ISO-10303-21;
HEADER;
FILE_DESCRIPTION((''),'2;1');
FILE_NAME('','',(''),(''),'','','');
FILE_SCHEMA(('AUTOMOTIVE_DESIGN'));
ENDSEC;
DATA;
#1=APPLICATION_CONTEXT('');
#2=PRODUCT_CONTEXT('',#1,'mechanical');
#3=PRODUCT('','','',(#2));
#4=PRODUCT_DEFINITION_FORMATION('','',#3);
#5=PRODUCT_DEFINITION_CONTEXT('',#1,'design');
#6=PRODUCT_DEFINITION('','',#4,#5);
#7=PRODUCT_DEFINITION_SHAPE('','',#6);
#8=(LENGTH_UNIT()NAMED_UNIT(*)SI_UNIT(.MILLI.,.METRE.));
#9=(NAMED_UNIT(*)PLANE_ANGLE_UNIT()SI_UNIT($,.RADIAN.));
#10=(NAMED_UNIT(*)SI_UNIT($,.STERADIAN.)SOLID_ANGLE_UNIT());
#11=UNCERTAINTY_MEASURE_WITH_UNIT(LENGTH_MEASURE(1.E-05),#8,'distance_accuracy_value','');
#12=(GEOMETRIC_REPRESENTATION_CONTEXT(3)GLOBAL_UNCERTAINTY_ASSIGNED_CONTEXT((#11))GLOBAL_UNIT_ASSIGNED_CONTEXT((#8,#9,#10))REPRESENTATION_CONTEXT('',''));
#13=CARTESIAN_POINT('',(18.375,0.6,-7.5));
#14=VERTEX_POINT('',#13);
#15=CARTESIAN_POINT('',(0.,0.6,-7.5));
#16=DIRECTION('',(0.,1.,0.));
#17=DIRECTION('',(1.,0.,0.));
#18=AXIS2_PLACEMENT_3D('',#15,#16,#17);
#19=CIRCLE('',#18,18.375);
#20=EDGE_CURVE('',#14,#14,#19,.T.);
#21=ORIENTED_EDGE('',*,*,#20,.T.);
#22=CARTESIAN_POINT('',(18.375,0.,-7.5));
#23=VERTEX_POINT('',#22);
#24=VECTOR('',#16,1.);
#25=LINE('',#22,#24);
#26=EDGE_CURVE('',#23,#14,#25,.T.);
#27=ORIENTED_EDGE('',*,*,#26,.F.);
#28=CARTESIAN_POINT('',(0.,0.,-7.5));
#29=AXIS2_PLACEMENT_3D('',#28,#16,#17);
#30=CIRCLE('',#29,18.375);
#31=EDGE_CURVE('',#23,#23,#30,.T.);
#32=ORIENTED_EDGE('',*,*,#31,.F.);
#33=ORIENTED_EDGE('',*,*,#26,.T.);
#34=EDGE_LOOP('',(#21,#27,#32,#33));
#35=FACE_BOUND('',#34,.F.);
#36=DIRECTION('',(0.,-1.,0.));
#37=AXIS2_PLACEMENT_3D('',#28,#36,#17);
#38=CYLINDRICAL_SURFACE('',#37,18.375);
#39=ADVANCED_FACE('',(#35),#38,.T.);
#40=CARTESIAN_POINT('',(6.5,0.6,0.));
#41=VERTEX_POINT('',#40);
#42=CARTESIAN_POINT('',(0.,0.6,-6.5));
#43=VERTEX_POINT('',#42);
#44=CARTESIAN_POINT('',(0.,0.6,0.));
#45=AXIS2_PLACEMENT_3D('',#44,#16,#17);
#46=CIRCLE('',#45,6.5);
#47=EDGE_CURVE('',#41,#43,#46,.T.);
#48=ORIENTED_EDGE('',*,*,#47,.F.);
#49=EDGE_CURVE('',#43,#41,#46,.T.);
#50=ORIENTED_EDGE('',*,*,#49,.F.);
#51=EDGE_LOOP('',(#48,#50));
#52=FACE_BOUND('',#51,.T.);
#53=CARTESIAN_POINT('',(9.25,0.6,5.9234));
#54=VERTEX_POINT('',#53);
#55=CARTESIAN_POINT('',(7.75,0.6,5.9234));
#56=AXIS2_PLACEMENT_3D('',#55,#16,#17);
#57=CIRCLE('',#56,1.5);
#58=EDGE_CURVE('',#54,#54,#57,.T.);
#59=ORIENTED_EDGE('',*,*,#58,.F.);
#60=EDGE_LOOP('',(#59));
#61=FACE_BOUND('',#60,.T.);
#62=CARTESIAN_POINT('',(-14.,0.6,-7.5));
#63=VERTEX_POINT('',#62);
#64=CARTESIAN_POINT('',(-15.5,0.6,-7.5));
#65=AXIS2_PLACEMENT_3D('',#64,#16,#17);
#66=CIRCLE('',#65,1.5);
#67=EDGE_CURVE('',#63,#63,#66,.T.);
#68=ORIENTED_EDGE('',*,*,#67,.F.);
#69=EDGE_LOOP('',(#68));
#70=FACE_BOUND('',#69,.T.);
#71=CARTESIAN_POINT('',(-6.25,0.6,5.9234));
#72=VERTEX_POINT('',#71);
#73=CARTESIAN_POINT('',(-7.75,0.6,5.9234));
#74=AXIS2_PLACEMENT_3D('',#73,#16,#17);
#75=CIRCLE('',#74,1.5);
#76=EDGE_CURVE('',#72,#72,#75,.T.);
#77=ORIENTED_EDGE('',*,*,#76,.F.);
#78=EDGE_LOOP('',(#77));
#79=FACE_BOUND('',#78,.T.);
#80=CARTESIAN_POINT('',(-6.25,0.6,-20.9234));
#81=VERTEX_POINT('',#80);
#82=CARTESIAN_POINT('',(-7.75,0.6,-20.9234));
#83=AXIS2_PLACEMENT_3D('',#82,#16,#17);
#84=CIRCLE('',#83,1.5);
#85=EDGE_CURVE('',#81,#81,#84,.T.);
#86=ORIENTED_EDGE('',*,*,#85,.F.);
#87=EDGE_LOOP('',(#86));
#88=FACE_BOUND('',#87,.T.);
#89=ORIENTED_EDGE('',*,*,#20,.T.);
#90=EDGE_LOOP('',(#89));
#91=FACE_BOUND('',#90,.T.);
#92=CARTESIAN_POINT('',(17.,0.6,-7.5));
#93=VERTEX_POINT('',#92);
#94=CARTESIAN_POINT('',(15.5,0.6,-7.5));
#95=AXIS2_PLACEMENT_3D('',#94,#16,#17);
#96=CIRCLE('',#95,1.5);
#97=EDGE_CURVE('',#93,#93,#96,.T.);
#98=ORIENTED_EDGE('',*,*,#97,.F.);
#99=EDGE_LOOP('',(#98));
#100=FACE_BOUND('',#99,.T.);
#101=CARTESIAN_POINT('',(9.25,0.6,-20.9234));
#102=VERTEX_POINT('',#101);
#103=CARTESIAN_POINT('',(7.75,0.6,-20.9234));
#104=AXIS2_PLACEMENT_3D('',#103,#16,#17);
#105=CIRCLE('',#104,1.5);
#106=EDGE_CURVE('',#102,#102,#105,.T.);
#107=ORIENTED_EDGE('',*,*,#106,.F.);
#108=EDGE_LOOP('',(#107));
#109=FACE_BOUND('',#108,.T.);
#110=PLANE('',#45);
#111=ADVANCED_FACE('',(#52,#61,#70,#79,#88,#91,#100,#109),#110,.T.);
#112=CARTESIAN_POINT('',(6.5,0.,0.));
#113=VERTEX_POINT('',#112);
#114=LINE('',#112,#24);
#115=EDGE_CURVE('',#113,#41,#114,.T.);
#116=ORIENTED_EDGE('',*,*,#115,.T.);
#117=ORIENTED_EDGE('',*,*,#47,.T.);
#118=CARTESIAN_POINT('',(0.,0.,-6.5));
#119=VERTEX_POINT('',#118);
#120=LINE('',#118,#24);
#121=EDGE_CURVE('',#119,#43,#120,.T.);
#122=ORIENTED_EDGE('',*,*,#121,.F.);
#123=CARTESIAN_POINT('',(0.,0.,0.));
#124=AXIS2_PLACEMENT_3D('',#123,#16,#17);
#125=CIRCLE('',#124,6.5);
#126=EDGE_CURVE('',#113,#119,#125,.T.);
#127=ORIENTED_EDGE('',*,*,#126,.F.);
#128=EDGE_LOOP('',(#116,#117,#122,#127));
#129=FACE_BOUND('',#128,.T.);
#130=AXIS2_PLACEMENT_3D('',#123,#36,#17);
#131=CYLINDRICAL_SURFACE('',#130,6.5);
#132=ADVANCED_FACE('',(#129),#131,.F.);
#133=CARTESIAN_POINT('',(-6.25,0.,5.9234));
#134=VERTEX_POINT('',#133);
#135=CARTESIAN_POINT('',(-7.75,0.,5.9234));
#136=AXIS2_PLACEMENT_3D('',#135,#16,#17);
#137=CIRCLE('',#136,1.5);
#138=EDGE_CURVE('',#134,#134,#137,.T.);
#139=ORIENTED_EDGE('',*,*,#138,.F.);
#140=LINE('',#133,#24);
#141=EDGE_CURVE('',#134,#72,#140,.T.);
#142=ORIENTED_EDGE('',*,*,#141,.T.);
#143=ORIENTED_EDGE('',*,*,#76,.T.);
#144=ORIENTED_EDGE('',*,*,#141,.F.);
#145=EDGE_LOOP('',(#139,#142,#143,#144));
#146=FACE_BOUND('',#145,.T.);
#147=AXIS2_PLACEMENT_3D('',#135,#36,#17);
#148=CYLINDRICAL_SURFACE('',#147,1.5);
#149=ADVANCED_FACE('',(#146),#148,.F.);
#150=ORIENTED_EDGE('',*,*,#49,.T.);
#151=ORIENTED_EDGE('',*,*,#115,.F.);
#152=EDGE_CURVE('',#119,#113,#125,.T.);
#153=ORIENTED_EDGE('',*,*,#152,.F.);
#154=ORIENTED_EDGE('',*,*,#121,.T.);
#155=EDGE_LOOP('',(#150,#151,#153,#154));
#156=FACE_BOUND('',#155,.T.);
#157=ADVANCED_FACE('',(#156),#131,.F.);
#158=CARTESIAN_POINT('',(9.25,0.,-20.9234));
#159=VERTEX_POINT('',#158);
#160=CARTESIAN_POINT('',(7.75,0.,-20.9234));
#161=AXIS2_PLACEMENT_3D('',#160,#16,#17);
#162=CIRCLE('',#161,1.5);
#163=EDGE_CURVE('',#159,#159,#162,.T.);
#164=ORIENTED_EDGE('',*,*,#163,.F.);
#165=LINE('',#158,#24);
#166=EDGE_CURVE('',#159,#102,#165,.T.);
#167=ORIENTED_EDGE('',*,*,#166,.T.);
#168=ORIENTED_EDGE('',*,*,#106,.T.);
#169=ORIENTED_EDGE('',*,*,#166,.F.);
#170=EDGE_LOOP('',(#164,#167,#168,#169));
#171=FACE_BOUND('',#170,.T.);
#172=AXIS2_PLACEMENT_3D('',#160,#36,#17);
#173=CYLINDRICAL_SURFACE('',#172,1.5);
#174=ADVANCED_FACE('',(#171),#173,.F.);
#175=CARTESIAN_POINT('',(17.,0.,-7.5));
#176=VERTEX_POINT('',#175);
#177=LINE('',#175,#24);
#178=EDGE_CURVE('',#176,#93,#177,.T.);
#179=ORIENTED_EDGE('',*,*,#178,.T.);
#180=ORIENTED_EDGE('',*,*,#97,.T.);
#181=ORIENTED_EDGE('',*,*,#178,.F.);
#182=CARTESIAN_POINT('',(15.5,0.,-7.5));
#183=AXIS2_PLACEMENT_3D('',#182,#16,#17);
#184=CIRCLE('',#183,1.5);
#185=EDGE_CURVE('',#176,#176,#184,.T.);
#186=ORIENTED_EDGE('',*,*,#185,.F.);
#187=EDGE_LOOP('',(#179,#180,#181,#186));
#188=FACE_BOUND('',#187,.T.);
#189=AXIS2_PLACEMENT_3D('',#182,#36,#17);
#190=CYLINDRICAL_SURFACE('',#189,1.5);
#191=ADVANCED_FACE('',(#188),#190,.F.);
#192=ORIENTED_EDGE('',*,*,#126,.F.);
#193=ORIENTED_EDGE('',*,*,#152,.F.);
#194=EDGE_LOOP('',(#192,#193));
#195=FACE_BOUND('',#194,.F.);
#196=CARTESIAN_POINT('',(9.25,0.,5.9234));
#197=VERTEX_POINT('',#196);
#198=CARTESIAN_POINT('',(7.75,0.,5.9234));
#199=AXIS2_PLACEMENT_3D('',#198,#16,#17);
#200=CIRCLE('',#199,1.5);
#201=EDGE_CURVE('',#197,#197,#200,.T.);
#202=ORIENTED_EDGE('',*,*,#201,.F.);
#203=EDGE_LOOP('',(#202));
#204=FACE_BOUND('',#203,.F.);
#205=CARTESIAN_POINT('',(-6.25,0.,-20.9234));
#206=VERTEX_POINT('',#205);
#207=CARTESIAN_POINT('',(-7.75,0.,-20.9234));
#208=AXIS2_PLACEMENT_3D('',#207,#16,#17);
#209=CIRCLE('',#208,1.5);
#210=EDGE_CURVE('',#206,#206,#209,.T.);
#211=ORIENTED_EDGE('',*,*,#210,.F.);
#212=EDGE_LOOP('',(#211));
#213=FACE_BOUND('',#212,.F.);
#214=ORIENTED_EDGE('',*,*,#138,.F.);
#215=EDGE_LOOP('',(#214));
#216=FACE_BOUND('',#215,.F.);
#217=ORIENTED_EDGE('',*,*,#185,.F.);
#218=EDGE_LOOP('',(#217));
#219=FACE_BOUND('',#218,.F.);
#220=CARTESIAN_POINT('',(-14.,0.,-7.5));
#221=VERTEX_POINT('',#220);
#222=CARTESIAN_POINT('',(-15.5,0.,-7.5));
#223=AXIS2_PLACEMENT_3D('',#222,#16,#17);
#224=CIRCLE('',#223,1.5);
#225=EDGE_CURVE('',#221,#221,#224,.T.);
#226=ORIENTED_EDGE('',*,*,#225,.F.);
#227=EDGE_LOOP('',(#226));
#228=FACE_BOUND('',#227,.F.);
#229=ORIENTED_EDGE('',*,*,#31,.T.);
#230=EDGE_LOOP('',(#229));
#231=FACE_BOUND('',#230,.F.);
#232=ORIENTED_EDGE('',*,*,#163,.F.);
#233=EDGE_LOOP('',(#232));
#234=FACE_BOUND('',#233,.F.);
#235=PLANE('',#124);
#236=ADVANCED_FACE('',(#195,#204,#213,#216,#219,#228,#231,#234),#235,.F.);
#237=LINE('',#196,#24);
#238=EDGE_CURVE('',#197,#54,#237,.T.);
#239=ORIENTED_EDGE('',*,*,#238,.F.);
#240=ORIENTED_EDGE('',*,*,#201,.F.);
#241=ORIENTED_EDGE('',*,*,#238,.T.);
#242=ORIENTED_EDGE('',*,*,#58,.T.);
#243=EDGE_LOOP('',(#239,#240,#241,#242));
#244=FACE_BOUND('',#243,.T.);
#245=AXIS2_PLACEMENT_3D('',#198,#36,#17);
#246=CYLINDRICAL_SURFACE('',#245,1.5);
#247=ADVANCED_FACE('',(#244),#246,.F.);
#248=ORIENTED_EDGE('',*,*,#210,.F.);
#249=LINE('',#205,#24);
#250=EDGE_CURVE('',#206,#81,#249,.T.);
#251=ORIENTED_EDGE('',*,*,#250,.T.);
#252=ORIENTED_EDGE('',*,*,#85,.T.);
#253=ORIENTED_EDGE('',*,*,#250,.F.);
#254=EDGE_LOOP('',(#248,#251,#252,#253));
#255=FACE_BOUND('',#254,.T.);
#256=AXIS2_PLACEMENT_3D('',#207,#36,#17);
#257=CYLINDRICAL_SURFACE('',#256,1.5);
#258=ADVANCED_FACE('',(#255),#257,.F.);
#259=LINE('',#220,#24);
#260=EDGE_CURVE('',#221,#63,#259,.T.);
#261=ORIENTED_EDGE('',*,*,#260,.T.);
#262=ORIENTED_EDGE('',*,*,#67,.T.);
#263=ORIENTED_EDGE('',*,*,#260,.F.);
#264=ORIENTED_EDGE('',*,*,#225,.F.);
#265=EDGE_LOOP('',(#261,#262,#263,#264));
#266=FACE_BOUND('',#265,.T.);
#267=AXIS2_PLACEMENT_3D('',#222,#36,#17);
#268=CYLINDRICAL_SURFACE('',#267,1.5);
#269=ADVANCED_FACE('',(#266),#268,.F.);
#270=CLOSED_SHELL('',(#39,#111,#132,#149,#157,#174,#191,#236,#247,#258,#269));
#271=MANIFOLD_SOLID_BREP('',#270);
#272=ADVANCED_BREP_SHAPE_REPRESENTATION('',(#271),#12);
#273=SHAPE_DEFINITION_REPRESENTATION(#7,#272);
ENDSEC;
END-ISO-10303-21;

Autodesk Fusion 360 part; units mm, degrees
sketch "Sketch1" plane through (0, 0, 0) normal (0, 1, 0) x (1, 0, 0)
  circle A0 centre (0, 0) radius 6.5
  circle A1 centre (0, 7.5) radius 18.375
  line L0 (0, 0) -> (0, 7.5)
  circle A2 centre (0, 7.5) radius 15.5 construction
  line L1 (-26.0681, 7.5) -> (26.0681, 7.5) construction
  circle A3 centre (15.5, 7.5) radius 1.5
  circle A4 centre (7.75, 20.9234) radius 1.5
  circle A5 centre (-7.75, 20.9234) radius 1.5
  circle A6 centre (-15.5, 7.5) radius 1.5
  circle A7 centre (-7.75, -5.9234) radius 1.5
  circle A8 centre (7.75, -5.9234) radius 1.5
  line L2 (-19.977, -10.875) -> (20.9733, -10.875) construction
  dimension "d1" = 13
  dimension "d2" = 36.75
  dimension "d3" = 7.5
  dimension "d4" = 31
  dimension "d5" = 3
  dimension "d7" = 360
  dimension "d10" = 10.875
extrude "Extrude1" add sketch "Sketch1" along normal blind 0.6
